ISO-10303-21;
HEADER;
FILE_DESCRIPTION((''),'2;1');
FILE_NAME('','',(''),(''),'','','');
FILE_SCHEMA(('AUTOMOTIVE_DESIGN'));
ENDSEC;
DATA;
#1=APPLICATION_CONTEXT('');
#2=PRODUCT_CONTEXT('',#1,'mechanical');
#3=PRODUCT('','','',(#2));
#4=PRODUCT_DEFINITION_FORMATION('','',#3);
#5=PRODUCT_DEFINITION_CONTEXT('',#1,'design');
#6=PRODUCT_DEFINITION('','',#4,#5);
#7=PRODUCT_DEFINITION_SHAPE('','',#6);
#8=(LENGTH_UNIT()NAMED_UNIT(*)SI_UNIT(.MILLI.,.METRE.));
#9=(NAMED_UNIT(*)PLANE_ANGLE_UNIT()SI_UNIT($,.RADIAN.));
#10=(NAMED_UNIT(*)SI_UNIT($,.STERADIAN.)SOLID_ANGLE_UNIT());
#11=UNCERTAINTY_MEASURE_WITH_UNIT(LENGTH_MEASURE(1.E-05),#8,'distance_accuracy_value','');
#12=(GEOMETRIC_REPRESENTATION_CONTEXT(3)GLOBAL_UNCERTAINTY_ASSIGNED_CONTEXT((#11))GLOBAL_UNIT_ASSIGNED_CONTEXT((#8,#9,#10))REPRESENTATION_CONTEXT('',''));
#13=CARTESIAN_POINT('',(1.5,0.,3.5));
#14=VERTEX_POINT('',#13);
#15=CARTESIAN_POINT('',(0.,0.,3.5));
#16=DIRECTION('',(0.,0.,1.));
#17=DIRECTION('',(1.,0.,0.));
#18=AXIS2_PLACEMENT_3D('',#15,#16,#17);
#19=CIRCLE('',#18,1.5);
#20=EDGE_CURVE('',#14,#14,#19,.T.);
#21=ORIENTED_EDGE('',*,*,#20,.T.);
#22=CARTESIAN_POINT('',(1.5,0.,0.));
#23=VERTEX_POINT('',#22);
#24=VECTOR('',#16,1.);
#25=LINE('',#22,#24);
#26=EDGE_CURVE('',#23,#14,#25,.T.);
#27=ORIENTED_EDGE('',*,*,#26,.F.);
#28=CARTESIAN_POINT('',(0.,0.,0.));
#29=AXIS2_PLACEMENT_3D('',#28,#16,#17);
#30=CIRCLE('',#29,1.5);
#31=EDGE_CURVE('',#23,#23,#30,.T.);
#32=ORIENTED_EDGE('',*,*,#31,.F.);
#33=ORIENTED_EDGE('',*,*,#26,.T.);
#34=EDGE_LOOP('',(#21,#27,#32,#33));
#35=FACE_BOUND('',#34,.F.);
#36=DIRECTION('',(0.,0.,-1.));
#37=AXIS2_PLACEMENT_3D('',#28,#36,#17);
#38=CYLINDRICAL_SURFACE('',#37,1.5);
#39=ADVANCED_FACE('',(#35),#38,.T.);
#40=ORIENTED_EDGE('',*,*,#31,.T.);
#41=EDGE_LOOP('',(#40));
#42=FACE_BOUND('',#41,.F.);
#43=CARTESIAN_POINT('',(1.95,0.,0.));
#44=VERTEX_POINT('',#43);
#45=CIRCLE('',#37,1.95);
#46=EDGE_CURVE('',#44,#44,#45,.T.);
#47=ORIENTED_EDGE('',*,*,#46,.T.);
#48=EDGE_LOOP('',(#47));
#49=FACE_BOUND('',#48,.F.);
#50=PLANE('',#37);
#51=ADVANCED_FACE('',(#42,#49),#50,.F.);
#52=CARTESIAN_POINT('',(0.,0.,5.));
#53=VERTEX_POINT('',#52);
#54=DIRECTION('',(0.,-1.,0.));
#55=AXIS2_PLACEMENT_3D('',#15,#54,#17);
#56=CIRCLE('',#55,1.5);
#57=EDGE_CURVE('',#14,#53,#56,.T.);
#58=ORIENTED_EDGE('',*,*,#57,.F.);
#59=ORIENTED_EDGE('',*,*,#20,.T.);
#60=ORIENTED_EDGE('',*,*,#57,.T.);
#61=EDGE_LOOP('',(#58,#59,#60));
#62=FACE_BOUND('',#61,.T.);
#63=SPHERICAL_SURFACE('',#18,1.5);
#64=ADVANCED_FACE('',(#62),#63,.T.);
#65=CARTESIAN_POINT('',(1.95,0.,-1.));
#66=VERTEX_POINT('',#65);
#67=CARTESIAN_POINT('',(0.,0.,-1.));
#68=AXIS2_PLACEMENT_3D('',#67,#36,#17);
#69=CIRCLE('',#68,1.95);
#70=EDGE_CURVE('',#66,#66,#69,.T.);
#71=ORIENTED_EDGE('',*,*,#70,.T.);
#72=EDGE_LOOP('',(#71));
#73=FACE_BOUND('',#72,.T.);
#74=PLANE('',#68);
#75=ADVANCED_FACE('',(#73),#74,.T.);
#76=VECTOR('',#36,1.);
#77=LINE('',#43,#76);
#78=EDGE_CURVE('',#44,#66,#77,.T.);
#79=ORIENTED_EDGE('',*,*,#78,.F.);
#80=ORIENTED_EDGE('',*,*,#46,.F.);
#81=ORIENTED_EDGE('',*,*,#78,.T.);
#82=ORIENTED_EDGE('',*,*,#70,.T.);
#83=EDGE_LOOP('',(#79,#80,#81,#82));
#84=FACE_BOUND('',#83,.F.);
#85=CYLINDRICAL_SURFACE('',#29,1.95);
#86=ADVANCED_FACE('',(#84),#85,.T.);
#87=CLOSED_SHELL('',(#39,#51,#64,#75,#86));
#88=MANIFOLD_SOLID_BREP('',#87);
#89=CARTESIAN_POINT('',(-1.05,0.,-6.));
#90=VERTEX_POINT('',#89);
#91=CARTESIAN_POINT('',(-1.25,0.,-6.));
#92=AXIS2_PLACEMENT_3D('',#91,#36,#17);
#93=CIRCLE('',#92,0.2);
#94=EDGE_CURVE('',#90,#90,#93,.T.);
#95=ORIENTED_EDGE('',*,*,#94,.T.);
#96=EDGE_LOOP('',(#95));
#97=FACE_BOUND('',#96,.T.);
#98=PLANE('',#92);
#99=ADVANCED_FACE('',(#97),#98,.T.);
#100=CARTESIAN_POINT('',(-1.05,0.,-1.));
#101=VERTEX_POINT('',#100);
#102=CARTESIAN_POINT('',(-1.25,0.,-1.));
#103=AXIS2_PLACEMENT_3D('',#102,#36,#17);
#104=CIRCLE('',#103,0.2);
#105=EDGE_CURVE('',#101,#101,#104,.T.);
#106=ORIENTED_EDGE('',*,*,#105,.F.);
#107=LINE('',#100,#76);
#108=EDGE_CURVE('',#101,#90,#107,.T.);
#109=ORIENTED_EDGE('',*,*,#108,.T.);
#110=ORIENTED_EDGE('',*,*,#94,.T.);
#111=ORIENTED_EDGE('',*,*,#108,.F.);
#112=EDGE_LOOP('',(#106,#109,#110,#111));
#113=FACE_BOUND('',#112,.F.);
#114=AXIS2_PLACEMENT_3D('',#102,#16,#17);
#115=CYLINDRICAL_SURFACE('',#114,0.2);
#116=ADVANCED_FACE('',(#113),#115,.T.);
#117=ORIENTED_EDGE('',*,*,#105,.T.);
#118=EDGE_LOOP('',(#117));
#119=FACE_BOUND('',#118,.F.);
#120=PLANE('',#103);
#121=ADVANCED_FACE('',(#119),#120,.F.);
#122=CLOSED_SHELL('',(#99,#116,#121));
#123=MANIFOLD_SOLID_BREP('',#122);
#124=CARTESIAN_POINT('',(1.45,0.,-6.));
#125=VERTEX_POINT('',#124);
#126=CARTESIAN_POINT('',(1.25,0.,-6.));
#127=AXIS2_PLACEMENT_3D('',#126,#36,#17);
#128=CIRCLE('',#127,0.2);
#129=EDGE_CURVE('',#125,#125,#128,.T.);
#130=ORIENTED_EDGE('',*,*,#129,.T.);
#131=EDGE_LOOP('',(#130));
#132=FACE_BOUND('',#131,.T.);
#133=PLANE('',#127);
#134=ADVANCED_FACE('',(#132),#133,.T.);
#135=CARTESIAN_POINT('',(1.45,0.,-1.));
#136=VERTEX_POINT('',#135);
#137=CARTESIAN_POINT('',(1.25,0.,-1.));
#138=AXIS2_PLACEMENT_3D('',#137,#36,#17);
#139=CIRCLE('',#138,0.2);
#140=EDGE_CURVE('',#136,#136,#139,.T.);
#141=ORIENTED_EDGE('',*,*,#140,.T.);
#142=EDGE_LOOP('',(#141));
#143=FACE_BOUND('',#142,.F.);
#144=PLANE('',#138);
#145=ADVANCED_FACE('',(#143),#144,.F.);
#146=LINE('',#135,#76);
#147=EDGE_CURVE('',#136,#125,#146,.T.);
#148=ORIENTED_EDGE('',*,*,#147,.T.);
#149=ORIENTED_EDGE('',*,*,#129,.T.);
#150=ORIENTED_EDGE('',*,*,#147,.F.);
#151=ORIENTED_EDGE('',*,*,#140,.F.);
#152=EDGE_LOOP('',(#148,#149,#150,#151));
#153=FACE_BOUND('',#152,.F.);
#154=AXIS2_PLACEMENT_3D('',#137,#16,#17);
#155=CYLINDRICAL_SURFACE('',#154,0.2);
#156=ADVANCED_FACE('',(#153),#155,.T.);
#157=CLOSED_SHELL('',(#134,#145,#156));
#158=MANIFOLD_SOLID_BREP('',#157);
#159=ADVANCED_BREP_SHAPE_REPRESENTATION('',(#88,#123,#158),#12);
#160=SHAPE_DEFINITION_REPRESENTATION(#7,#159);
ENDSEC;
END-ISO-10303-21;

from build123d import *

# Parameters (mm, degrees)
F0_R     = 1.5
F1_DEPTH = 5
F2_R     = 1.95
F3_DEPTH = 1
F4_R     = 0.2
F5_DEPTH = 5
F6_R     = 1.5


with BuildPart() as f1:
    # F0 (on Top) → F1 (new body)
    with BuildSketch(Plane.XY):
        Circle(F0_R)
    extrude(amount=F1_DEPTH)

    # F2 (on face) → F3 (join)
    with BuildSketch(Plane(origin=(0, 0, 0), x_dir=(1, 0, 0), z_dir=(0, 0, -1))):
        Circle(F2_R)
    extrude(amount=F3_DEPTH)

    # F6
    f6_edges = [f1.edges().sort_by_distance(p)[0] for p in [
        (-1.5, 0, 5),
    ]]
    fillet(f6_edges, radius=F6_R)


with BuildPart() as f5:
    # F4 (on face) → F5 (new body)
    with BuildSketch(Plane(origin=(0, 0, -1), x_dir=(1, 0, 0), z_dir=(0, 0, -1))):
        with Locations((-1.25, 0)):
            Circle(F4_R)
        with Locations((1.25, 0)):
            Circle(F4_R)
    extrude(amount=F5_DEPTH)


solid = Compound([f1.part, f5.part])
